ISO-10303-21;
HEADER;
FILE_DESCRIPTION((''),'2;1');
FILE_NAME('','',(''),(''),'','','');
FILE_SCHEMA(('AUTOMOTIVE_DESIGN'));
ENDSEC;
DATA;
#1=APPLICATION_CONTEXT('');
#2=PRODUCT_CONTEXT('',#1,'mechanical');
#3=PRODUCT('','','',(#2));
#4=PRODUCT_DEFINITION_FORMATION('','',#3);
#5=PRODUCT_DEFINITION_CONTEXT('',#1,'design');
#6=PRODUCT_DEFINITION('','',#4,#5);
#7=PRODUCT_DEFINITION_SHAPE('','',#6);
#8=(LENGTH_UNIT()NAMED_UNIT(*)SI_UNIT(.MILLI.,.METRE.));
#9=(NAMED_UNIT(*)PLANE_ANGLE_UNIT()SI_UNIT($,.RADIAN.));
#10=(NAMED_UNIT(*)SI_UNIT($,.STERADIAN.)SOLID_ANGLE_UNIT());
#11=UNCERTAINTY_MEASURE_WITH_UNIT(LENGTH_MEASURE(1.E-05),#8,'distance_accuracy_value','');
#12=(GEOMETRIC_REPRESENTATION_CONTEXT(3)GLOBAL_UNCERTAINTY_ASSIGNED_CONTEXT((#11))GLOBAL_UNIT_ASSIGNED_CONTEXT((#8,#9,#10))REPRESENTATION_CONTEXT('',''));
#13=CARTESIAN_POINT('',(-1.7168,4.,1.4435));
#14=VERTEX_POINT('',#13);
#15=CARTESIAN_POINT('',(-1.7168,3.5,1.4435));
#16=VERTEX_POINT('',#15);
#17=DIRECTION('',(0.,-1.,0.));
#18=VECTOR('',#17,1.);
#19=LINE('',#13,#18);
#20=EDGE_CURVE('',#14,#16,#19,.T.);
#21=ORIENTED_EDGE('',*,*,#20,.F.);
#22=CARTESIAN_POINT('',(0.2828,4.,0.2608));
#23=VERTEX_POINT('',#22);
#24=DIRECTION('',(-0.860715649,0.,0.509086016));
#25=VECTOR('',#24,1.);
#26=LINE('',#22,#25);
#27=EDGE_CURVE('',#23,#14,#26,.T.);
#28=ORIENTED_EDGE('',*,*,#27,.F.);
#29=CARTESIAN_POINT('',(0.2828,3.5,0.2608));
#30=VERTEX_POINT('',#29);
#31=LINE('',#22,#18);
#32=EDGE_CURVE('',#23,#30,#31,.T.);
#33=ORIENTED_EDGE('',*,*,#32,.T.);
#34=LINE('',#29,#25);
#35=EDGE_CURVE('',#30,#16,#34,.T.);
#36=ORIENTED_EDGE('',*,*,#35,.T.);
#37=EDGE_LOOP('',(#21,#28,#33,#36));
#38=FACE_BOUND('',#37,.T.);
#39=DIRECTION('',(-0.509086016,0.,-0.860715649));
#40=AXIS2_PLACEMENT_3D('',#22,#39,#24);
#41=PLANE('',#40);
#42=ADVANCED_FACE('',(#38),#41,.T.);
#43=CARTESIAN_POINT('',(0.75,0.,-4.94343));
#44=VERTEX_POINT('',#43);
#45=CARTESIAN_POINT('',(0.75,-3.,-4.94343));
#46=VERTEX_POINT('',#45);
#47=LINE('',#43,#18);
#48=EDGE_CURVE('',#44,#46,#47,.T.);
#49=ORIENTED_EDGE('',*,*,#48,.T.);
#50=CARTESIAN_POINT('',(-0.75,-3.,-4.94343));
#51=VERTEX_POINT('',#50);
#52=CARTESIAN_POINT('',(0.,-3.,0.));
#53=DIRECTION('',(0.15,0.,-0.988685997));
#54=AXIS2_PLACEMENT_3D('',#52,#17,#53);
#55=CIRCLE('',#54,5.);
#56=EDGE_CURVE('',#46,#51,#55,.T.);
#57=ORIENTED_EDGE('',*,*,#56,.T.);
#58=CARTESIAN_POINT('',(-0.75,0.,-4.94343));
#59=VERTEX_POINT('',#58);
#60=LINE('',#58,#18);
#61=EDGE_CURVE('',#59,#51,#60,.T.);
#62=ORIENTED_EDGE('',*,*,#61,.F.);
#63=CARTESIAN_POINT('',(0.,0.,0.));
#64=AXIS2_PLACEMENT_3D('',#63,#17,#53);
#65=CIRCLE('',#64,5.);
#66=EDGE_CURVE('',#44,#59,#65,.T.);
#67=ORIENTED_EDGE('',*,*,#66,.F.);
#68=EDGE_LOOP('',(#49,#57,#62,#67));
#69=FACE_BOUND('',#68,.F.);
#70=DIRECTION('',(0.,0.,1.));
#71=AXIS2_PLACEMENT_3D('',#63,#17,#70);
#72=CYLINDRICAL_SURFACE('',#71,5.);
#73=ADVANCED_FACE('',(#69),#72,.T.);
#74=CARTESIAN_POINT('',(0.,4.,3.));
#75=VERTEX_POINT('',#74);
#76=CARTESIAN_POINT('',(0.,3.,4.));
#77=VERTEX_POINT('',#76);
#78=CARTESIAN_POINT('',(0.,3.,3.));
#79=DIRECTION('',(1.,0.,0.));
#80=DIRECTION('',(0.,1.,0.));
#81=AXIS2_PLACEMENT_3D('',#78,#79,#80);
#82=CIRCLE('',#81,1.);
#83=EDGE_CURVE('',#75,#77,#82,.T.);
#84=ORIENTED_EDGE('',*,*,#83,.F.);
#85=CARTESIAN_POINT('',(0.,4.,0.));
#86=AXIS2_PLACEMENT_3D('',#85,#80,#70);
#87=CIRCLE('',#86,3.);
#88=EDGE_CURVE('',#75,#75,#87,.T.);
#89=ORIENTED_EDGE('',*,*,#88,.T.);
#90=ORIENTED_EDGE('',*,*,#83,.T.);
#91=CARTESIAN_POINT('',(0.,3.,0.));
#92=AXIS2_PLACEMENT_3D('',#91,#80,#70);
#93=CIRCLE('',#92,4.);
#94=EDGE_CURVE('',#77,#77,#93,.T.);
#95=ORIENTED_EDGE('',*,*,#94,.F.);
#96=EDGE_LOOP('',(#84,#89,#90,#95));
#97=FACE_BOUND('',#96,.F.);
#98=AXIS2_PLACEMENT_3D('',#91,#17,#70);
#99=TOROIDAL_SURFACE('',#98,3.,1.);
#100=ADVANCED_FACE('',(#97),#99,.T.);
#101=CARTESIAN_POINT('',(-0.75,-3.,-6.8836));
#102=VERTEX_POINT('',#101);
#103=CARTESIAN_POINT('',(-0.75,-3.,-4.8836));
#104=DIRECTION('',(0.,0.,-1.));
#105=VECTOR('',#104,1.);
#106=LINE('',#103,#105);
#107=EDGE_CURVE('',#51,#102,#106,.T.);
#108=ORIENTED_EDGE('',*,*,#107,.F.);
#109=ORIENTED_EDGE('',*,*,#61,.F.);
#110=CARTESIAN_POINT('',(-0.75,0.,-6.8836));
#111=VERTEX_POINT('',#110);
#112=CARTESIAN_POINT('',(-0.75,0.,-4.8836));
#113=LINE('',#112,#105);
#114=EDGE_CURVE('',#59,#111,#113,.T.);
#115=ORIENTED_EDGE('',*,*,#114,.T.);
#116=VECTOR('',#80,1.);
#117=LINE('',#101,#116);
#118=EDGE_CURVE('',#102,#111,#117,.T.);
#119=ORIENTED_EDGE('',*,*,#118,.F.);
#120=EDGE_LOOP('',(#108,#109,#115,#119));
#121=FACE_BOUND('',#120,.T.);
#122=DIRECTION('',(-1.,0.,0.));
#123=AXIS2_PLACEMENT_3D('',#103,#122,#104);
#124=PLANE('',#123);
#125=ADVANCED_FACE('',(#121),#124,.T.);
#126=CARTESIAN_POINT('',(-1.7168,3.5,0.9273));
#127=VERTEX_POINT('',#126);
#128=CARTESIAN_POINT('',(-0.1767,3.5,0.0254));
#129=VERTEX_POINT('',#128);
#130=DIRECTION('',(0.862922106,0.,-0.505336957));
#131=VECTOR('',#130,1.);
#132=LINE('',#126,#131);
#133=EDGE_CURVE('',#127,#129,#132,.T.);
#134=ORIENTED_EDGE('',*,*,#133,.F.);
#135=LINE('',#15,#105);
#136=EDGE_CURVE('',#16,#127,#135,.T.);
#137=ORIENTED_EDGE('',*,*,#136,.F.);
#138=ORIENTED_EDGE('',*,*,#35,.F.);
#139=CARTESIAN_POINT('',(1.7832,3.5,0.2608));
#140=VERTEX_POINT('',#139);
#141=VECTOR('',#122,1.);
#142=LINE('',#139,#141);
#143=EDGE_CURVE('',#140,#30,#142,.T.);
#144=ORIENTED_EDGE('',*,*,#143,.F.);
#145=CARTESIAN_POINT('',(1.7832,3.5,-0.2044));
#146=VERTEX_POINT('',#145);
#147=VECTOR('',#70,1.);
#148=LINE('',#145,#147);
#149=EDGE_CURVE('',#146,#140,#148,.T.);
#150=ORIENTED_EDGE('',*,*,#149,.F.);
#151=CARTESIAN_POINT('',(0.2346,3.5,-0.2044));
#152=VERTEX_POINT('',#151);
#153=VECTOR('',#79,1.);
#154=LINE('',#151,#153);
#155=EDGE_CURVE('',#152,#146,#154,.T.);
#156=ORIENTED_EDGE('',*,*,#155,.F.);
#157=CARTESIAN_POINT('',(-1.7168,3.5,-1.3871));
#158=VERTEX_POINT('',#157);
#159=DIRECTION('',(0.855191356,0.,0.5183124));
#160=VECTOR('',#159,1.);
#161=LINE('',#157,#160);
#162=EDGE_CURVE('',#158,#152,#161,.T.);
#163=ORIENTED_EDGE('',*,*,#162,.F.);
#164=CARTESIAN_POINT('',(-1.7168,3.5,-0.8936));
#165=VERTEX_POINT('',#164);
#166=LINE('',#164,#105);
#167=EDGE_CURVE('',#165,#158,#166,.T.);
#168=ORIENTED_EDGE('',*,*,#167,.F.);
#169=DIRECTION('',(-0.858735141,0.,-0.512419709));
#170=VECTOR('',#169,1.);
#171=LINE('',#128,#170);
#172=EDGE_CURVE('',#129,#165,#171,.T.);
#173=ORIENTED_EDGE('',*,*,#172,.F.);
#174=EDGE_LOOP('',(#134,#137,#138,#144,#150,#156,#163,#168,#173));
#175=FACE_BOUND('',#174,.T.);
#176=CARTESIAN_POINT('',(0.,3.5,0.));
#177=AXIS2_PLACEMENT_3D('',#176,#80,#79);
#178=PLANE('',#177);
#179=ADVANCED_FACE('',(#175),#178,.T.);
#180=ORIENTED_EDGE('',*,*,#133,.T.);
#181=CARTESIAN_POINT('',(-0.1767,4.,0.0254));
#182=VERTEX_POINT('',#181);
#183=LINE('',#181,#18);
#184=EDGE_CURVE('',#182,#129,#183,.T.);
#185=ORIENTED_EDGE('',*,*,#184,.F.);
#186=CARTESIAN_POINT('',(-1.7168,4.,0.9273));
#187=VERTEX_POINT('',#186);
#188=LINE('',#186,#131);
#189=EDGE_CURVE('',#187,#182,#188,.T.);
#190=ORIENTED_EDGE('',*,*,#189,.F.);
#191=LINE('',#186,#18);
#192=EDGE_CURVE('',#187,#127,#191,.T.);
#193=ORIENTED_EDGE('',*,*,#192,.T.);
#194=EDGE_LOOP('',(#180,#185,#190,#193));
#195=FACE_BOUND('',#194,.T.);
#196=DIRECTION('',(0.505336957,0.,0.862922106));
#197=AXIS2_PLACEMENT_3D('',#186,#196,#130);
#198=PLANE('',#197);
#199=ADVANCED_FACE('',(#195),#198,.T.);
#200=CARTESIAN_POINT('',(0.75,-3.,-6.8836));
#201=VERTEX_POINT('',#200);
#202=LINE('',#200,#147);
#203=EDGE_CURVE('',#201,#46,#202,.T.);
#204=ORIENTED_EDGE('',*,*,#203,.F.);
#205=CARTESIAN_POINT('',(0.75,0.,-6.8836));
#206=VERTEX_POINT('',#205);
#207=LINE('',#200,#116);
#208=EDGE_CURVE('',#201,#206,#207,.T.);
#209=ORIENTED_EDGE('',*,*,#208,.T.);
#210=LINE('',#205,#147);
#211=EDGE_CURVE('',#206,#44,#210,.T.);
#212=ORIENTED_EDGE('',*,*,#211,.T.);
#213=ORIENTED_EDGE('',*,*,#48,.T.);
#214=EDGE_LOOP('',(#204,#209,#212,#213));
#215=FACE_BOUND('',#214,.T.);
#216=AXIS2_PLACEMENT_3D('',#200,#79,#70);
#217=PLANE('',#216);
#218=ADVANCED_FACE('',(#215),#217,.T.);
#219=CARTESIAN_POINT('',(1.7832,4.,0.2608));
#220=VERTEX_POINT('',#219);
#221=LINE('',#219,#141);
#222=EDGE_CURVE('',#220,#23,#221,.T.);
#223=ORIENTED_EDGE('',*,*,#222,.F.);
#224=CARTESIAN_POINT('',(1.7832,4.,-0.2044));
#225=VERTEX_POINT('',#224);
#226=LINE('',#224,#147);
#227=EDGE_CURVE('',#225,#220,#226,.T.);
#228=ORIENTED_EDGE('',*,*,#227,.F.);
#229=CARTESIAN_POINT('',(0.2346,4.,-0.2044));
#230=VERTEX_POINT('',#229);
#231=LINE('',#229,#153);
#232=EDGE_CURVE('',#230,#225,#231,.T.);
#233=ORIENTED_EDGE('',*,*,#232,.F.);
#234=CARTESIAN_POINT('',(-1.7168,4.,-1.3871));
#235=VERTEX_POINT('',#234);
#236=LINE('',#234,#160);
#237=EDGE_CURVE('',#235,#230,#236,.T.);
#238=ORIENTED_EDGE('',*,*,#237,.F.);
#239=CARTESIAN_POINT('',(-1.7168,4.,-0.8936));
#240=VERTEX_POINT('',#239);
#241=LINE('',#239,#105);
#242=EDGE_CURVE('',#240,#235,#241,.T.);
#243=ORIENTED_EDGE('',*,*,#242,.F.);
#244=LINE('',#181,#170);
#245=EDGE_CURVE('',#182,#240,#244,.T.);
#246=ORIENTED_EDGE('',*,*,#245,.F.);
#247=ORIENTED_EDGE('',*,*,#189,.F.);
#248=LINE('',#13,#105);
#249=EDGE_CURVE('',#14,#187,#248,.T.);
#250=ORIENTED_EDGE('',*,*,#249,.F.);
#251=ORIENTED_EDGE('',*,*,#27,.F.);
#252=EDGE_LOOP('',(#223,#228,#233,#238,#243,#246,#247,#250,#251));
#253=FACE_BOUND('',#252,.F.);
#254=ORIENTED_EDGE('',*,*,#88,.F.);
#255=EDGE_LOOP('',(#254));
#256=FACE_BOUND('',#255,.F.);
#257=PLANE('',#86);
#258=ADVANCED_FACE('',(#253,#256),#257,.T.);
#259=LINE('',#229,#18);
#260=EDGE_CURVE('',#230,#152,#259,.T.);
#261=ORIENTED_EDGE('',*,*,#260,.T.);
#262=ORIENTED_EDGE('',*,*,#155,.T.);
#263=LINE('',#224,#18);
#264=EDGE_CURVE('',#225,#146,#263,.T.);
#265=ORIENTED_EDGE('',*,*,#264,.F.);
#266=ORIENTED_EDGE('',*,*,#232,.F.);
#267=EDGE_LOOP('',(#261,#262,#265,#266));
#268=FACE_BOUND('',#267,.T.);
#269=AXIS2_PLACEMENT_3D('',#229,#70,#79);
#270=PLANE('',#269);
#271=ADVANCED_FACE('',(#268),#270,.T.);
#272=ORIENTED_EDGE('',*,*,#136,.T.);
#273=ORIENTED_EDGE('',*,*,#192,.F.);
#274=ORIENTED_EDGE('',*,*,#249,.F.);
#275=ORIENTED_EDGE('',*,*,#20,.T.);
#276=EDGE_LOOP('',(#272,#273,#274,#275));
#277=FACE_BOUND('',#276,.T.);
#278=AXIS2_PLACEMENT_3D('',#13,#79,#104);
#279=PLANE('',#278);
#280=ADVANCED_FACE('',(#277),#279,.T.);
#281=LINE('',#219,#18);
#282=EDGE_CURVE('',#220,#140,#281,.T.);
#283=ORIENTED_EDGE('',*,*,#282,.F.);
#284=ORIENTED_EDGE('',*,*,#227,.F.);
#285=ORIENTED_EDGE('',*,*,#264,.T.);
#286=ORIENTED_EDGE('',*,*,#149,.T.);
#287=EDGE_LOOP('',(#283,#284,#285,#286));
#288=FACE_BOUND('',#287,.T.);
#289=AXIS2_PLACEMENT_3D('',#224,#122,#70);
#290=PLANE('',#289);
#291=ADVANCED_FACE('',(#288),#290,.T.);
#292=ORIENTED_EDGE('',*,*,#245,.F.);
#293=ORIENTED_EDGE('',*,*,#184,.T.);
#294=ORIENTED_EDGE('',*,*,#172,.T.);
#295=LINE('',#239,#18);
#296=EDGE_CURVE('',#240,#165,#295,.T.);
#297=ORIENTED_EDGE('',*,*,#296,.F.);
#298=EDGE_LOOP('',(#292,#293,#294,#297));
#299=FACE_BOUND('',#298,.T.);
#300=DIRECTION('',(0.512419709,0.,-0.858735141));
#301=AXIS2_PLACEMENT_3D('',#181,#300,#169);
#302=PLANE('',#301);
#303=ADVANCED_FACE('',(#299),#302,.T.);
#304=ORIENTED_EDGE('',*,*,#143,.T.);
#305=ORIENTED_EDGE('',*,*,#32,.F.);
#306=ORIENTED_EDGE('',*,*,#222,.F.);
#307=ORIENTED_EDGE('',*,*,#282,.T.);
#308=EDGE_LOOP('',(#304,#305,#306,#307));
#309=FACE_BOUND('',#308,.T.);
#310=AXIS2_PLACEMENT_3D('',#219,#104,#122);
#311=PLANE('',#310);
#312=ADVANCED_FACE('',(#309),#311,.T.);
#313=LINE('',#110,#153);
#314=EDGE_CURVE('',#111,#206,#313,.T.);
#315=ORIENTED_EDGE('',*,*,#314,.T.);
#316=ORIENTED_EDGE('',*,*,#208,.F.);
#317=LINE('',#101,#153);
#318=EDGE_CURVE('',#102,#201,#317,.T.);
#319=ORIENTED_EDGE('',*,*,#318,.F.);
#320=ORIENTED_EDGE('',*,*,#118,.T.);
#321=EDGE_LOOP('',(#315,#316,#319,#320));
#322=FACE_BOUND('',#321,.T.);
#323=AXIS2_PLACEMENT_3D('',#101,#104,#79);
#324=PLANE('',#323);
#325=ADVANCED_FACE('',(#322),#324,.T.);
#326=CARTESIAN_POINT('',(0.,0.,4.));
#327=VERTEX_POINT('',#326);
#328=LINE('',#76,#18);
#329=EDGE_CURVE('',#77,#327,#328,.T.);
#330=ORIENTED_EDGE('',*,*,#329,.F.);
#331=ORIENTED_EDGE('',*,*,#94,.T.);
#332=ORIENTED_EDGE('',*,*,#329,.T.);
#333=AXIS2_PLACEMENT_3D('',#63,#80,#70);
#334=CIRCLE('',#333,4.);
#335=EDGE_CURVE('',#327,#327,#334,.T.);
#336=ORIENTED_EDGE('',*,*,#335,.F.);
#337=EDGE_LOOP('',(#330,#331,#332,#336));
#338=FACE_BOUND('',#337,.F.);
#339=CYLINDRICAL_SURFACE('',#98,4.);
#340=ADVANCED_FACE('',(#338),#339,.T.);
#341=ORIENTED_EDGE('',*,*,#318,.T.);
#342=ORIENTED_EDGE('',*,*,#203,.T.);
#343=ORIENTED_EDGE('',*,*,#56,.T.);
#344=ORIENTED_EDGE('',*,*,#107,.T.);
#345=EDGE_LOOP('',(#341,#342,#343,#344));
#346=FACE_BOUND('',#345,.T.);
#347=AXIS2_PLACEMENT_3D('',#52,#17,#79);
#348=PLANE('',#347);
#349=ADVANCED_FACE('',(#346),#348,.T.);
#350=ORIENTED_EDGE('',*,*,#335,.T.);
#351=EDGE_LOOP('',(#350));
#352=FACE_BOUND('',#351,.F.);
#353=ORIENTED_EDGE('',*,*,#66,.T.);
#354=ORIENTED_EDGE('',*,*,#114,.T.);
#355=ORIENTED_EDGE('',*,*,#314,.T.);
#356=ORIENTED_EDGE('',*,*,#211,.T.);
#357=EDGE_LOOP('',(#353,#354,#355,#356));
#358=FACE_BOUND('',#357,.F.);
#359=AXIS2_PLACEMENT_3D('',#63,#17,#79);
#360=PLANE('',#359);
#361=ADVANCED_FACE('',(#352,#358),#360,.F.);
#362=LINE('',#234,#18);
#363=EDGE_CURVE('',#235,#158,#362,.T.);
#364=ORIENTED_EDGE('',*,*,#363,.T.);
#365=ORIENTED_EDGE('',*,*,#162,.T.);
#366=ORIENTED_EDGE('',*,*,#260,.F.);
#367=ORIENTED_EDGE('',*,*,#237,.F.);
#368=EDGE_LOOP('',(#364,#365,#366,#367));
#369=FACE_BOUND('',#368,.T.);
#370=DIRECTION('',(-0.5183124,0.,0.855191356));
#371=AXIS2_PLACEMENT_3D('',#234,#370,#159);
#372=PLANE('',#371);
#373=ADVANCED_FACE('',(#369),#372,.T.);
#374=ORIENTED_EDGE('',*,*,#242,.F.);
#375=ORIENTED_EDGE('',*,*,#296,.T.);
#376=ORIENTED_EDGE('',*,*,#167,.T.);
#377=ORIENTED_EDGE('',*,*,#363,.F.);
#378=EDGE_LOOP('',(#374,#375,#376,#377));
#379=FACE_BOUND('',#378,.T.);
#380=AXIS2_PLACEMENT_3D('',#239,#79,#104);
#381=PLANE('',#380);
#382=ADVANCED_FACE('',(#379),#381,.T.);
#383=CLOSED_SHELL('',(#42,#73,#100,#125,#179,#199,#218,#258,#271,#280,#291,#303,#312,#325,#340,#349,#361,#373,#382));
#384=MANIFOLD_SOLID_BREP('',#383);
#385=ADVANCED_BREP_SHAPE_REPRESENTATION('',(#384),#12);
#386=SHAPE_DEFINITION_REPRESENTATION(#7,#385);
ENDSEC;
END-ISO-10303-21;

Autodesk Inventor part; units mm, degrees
ref_plane "YZ Plane" through (0, 0, 0) normal (1, 0, 0) x (0, 1, 0)
ref_plane "XZ Plane" through (0, 0, 0) normal (0, 1, 0) x (-1, 0, 0)
ref_plane "XY Plane" through (0, 0, 0) normal (0, 0, 1) x (1, 0, 0)
sketch "Skizze1" plane through (0, 0, 0) normal (1, 0, 0) x (0, 1, 0)
  line L0 (4, 0) -> (4, 3)
  arc A0 (4, 3) -> (3, 4) centre (3, 3) ccw
  line L1 (3, 4) -> (0, 4)
  line L2 (0, 4) -> (0, 5)
  line L3 (0, 5) -> (-3, 5)
  line L4 (-3, 5) -> (-3, 2)
  line L5 (0, 0) -> (4, 0)
  line L6 (-3, 2) -> (-3, 0)
  line L7 (-3, 0) -> (0, 0)
  point P0 (0, 2)
  dimension "d0" = 2
  dimension "d1" = 4
  dimension "d2" = 3
  dimension "d3" = 5
  dimension "d4" = 3
  dimension "d5" = 1
  dimension "d6" = 1
revolve "Umdrehung1" add sketch "Skizze1" angle 360 about axis through (0, 0, 0) along (0, 1, 0)
sketch "Skizze2" plane through (0, 4, 0) normal (0, 1, 0) x (1, 0, 0)
  line L0 (-1.7168, -1.418) -> (-1.7168, 1.5147) construction
  line L1 (-1.7168, 1.5147) -> (1.7832, 1.5147) construction
  line L2 (1.7832, 1.5147) -> (1.7832, -1.418) construction
  line L3 (1.7832, -1.418) -> (-1.7168, -1.418) construction
  line L4 (-1.7168, 1.3871) -> (0.2346, 0.2044)
  line L5 (0.2346, 0.2044) -> (1.7832, 0.2044)
  line L6 (1.7832, 0.2044) -> (1.7832, -0.2608)
  line L7 (1.7832, -0.2608) -> (0.2828, -0.2608)
  line L8 (0.2828, -0.2608) -> (-1.7168, -1.4435)
  line L9 (-1.7168, -1.4435) -> (-1.7168, -0.9273)
  line L10 (-1.7168, -0.9273) -> (-0.1767, -0.0254)
  line L11 (-0.1767, -0.0254) -> (-1.7168, 0.8936)
  line L12 (-1.7168, 0.8936) -> (-1.7168, 1.3871)
  point P0 (0, 0)
extrude "Extrusion1" cut sketch "Skizze2" against normal blind 0.5
sketch "Skizze4" plane through (0, -3, 0) normal (0, -1, 0) x (1, 0, 0)
  line L0 (0.75, -4.8836) -> (-0.75, -4.8836)
  line L1 (-0.75, -4.8836) -> (-0.75, -6.8836)
  line L2 (-0.75, -6.8836) -> (0.75, -6.8836)
  line L3 (0.75, -6.8836) -> (0.75, -4.8836)
  point P0 (0, 0)
  dimension "d15" = 1.5
  dimension "d16" = 2
  dimension "d17" = 0.75
extrude "Extrusion3" add sketch "Skizze4" against normal blind 3
properties part number "ButtonY_neu"
